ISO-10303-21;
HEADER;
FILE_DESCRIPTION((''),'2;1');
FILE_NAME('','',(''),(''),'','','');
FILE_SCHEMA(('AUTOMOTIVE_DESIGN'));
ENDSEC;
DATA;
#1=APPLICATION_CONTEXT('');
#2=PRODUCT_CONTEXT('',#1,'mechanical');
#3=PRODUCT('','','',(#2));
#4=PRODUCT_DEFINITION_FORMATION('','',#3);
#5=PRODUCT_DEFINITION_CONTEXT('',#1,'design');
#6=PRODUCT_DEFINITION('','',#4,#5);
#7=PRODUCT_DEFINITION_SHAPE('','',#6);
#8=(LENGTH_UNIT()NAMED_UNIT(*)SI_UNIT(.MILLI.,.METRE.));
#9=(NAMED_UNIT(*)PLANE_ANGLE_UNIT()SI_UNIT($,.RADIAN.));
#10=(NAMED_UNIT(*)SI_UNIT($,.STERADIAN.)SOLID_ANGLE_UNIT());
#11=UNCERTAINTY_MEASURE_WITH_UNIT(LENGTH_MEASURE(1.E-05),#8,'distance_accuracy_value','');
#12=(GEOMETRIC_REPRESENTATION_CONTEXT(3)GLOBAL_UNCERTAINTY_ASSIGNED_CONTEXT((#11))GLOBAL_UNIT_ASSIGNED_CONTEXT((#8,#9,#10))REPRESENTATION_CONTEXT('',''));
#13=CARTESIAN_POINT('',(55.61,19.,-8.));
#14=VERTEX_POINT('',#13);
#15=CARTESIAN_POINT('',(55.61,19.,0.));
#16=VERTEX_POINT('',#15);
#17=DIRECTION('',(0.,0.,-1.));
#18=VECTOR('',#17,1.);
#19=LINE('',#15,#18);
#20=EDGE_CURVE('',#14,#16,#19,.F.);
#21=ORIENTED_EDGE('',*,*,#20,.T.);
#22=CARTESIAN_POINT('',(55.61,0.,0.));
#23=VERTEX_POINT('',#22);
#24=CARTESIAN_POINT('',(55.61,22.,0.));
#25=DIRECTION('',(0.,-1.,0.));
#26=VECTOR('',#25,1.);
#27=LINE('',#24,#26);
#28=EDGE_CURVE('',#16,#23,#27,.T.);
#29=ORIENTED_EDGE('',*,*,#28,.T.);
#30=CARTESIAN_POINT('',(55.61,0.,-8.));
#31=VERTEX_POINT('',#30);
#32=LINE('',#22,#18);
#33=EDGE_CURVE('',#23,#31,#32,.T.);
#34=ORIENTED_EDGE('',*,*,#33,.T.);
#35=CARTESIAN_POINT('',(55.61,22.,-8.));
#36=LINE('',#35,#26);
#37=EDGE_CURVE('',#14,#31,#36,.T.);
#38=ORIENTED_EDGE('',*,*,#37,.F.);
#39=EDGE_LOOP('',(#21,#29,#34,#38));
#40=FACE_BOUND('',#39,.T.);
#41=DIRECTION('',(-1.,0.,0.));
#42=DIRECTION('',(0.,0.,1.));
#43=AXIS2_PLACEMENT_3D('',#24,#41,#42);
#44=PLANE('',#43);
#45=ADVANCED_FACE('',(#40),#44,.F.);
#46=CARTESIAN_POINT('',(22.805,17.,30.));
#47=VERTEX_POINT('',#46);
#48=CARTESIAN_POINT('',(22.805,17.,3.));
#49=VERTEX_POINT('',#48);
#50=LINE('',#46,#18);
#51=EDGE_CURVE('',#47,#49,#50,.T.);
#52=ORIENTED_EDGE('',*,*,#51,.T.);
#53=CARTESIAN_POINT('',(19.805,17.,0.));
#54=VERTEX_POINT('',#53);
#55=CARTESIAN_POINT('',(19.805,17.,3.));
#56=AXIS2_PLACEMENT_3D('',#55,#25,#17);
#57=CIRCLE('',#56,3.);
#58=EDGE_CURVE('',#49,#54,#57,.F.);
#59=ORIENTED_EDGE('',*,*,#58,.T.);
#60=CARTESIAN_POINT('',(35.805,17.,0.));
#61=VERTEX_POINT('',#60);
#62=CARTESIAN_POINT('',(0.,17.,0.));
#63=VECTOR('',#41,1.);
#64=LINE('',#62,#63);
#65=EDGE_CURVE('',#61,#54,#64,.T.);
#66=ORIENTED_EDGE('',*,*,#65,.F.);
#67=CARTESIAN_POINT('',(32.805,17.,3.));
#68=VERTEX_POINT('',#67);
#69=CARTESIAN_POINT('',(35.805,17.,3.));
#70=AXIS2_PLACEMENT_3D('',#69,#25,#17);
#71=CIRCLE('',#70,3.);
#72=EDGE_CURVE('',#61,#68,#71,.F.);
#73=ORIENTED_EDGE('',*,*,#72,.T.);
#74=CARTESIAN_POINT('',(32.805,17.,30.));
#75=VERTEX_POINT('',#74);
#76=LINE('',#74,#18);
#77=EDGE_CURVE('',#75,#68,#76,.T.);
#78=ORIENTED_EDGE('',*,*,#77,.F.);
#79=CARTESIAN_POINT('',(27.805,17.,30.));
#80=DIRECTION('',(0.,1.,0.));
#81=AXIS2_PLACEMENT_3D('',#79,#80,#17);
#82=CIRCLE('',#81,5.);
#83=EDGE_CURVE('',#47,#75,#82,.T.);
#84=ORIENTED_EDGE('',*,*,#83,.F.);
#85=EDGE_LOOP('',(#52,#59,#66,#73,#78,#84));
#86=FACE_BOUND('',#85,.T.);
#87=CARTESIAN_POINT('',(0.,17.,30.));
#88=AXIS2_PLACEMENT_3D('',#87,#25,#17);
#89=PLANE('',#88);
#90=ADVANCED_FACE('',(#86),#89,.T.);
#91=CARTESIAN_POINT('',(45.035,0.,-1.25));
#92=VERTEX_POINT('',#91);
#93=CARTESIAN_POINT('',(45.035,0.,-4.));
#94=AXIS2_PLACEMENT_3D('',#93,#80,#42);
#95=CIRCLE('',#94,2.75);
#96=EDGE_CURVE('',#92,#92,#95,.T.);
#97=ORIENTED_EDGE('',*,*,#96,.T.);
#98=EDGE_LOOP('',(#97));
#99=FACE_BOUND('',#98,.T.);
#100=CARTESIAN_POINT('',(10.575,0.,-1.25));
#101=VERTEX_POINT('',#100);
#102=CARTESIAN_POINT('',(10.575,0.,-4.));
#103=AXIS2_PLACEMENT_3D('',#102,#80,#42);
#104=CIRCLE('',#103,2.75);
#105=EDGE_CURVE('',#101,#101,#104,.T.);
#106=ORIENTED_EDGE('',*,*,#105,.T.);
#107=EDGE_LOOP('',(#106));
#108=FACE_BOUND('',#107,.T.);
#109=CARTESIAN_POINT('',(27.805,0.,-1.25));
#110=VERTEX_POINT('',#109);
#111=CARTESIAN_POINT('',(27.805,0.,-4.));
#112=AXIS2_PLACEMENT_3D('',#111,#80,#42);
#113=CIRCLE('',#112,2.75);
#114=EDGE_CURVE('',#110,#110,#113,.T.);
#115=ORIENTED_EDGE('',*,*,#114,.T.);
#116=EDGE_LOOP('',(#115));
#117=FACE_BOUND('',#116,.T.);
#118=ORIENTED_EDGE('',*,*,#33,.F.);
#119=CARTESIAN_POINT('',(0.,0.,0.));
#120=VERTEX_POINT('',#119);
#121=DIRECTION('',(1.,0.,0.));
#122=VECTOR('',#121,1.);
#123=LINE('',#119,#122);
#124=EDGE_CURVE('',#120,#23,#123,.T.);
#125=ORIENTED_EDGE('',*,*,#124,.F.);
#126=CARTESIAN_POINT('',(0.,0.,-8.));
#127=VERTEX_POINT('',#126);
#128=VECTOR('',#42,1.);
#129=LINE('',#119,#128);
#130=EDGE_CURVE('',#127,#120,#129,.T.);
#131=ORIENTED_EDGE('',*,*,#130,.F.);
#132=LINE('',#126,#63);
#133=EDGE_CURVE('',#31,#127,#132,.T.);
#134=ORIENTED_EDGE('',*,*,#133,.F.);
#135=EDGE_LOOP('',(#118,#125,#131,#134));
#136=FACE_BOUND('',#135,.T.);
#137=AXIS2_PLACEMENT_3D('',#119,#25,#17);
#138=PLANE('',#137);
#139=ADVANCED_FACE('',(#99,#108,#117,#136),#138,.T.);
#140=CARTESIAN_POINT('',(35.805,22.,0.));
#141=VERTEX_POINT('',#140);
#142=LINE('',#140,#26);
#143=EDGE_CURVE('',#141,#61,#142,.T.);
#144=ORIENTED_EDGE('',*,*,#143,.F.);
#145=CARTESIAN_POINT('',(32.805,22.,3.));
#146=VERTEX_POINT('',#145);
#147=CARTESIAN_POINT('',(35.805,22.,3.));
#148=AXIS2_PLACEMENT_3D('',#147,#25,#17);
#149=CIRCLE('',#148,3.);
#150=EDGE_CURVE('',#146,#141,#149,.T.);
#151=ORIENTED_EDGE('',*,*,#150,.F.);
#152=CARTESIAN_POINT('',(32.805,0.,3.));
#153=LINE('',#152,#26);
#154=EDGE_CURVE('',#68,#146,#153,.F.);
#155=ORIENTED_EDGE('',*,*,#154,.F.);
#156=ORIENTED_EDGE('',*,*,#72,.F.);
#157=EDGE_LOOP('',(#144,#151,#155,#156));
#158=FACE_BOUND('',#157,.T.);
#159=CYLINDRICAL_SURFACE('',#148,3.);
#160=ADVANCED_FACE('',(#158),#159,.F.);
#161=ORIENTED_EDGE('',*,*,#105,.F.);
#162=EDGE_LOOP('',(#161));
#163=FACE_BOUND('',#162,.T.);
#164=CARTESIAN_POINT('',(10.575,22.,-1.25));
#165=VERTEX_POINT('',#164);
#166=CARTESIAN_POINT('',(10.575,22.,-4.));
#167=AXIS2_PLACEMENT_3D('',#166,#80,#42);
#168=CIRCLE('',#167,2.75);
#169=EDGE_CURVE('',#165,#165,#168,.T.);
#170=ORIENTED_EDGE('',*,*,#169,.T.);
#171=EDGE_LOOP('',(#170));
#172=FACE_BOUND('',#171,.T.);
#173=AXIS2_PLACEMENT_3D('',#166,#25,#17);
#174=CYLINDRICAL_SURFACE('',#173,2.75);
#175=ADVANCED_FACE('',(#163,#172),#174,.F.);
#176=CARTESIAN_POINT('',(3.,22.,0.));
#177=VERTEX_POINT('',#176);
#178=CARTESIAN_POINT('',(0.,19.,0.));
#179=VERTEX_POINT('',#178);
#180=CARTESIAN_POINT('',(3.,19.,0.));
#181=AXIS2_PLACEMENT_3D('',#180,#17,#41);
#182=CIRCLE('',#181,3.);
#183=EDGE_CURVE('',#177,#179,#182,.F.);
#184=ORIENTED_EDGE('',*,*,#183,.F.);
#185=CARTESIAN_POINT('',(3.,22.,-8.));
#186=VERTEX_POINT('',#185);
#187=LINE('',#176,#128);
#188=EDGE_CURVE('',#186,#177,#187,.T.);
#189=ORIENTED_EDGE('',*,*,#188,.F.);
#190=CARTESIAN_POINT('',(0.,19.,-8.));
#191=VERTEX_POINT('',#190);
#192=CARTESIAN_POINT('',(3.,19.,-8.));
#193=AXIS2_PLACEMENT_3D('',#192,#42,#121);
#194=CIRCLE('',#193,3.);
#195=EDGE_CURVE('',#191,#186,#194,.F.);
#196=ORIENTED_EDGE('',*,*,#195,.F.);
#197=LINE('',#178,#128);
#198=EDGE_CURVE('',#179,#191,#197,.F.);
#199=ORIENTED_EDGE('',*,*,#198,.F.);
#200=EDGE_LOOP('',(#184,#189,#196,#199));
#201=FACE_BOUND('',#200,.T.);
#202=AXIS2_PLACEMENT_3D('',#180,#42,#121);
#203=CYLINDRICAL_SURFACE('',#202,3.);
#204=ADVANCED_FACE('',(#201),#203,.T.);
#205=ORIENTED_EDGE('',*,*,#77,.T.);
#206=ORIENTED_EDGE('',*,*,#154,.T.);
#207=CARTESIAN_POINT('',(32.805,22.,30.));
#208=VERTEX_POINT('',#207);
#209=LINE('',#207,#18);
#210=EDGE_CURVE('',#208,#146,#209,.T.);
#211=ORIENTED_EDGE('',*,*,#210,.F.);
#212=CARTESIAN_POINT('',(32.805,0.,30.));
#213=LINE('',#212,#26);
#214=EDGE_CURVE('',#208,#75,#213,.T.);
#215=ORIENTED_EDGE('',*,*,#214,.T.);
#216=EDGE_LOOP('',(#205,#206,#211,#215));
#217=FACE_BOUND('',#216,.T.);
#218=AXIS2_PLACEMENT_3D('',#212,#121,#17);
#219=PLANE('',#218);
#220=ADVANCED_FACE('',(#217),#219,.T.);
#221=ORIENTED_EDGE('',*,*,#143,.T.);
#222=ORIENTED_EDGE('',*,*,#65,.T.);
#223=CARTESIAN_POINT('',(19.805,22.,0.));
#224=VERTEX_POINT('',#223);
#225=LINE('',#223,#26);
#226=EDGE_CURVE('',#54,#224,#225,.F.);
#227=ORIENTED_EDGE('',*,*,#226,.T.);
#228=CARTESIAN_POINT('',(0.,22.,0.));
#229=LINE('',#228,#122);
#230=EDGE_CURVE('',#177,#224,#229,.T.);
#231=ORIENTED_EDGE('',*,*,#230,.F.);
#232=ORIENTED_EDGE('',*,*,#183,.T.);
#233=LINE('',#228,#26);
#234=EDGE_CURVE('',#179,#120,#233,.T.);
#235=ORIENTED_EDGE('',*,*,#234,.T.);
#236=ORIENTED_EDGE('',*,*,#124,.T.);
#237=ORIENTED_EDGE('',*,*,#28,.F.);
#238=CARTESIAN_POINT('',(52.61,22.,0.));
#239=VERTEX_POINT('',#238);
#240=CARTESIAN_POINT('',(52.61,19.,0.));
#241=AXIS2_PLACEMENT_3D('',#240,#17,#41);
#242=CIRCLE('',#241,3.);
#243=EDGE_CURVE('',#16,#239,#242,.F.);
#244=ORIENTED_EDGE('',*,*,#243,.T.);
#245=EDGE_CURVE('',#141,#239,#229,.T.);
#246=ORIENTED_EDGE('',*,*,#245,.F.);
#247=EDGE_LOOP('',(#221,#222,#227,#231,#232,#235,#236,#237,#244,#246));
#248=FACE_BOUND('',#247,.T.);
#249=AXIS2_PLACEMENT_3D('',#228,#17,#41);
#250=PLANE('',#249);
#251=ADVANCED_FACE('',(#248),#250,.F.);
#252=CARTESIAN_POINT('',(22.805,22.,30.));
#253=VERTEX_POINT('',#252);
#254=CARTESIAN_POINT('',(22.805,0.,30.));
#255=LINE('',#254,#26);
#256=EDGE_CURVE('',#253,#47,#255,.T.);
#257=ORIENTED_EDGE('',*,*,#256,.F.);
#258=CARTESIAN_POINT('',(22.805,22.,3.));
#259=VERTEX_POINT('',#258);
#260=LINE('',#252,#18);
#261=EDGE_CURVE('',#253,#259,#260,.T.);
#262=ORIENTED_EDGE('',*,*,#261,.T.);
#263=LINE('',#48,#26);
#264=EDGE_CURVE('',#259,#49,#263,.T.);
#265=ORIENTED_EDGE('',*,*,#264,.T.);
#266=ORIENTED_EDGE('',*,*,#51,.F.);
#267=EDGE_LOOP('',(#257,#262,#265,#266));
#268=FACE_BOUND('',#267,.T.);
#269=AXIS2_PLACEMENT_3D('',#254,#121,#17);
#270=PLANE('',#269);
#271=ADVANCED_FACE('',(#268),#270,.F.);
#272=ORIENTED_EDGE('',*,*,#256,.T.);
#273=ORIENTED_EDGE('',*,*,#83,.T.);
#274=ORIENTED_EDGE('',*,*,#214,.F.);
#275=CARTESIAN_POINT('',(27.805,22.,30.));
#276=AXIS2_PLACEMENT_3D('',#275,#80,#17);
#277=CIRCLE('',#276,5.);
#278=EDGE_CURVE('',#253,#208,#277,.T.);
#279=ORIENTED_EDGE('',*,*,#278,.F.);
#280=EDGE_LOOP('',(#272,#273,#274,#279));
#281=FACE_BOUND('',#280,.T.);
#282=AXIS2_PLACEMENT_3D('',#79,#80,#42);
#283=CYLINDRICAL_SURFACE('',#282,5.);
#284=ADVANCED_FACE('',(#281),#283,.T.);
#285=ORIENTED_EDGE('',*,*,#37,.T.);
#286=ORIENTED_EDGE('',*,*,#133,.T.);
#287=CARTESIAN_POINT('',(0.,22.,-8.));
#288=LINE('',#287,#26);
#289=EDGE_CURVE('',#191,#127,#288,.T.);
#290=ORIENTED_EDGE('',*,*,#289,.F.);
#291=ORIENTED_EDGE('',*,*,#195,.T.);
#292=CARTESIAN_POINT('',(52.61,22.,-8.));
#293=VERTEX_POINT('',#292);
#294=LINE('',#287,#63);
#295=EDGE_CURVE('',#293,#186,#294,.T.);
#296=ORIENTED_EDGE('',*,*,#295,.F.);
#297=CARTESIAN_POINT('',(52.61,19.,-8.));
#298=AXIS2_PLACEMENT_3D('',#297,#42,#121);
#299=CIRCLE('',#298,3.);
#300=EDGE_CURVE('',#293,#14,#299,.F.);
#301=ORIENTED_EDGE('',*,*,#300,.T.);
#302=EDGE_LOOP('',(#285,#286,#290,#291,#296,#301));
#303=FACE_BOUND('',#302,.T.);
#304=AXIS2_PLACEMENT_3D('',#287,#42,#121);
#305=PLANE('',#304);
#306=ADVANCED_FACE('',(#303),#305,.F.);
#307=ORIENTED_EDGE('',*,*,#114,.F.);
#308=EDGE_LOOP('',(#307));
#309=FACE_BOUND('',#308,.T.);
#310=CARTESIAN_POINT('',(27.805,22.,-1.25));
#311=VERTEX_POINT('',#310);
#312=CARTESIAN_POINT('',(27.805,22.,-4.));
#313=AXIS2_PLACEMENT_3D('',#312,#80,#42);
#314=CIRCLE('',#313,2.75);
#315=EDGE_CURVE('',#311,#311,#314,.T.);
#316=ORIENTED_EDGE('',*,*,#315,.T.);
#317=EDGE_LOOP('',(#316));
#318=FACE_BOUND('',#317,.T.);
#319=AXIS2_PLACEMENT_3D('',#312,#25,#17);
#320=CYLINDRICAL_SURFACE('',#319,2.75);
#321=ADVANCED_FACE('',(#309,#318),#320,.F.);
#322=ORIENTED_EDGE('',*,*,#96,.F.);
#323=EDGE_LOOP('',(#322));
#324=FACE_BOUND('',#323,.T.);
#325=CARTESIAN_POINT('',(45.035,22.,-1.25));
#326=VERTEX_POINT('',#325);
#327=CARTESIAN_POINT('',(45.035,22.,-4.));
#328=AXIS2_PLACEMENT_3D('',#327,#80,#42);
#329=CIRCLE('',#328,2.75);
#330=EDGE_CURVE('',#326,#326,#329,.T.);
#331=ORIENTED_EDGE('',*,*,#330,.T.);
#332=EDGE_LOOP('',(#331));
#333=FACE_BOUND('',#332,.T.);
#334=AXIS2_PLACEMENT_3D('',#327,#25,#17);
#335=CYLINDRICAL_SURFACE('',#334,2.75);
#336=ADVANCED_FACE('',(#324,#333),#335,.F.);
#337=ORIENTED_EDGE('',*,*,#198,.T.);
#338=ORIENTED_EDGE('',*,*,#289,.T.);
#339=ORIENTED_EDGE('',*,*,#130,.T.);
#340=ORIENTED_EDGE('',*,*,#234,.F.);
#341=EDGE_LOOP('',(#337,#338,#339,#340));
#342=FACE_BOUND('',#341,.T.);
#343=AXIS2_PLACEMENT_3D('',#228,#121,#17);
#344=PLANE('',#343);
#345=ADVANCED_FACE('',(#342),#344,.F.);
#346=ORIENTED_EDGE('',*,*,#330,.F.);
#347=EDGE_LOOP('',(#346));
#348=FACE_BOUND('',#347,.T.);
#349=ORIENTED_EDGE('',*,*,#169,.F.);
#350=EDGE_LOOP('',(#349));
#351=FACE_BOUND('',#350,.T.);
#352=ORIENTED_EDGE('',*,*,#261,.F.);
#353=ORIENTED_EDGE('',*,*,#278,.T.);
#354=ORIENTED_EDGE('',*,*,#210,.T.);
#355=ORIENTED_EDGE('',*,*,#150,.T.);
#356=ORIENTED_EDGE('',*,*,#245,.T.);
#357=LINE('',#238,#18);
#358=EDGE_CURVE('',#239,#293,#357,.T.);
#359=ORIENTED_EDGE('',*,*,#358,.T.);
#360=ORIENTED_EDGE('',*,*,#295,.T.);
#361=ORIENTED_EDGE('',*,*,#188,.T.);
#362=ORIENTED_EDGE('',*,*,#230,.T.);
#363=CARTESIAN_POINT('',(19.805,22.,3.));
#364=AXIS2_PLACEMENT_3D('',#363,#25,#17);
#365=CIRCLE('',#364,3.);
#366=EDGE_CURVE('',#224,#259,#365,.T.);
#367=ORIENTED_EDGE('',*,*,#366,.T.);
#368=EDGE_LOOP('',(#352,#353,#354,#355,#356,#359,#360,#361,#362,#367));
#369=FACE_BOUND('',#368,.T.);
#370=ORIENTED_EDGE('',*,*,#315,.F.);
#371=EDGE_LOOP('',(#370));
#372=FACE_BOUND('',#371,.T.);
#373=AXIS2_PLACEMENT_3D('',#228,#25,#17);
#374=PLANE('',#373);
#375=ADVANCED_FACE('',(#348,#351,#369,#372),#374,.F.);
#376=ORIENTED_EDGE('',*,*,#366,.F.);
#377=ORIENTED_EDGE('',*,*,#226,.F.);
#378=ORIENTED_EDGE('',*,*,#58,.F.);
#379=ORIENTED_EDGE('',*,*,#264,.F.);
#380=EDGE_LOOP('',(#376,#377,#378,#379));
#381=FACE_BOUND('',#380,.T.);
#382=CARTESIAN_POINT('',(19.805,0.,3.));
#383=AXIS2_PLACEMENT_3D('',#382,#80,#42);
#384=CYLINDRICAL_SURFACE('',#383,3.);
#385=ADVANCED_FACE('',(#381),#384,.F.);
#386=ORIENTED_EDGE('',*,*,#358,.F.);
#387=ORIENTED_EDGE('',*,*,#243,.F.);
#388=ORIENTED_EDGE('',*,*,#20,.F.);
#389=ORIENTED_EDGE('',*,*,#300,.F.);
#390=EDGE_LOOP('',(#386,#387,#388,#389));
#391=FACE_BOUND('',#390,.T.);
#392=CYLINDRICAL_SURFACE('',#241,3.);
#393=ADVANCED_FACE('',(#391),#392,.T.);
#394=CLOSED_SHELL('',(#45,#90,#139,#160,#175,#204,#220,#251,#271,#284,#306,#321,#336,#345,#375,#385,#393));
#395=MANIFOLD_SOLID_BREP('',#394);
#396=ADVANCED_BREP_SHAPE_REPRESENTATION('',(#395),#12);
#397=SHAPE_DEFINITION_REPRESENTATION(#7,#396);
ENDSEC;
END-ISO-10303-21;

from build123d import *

# Parameters (mm, degrees)
SKETCH1_W           = 55.61
SKETCH1_H           = 8
SKETCH1_R           = 2.75
BOSS_EXTRUDE1_DEPTH = 22
SKETCH2_W           = 5
SKETCH2_H           = 5
BOSS_EXTRUDE2_DEPTH = 30
BOSS_EXTRUDE3_DEPTH = 5
FILLET1_R           = 3


with BuildPart() as part:
    # Sketch1 → Boss-Extrude1 (new body)
    with BuildSketch(Plane(origin=(0, 0, 0), x_dir=(1, 0, 0), z_dir=(0, 1, 0))):
        with Locations((27.805, 4)):
            Rectangle(SKETCH1_W, SKETCH1_H)
        with Locations(Location((27.805, 4, 0), (0, 0, 270))):
            Circle(SKETCH1_R, mode=Mode.SUBTRACT)
        with Locations(Location((10.575, 4, 0), (0, 0, 270))):
            Circle(SKETCH1_R, mode=Mode.SUBTRACT)
        with Locations(Location((45.035, 4, 0), (0, 0, 270))):
            Circle(SKETCH1_R, mode=Mode.SUBTRACT)
    extrude(amount=BOSS_EXTRUDE1_DEPTH)

    # Sketch2 → Boss-Extrude2 (add)
    with BuildSketch(Plane.XY):
        with Locations((25.305, 19.5)):
            Rectangle(SKETCH2_W, SKETCH2_H)
        with Locations((30.305, 19.5)):
            Rectangle(SKETCH2_W, SKETCH2_H)
    extrude(amount=BOSS_EXTRUDE2_DEPTH)

    # Sketch3 → Boss-Extrude3 (add)
    with BuildSketch(Plane(origin=(0, 22, 0), x_dir=(1, 0, 0), z_dir=(0, 1, 0))):
        with BuildLine():
            Line((22.805, -30), (32.805, -30))
            ThreePointArc((32.805, -30), (27.805, -35), (22.805, -30))
        make_face()
    extrude(amount=-BOSS_EXTRUDE3_DEPTH)

    # Fillet1
    fillet1_edges = [part.edges().sort_by_distance(p)[0] for p in [
        (55.61, 22, -4),
        (22.805, 19.5, 0),
        (32.805, 19.5, 0),
        (0, 22, -4),
    ]]
    fillet(fillet1_edges, radius=FILLET1_R)


solid = part.part
